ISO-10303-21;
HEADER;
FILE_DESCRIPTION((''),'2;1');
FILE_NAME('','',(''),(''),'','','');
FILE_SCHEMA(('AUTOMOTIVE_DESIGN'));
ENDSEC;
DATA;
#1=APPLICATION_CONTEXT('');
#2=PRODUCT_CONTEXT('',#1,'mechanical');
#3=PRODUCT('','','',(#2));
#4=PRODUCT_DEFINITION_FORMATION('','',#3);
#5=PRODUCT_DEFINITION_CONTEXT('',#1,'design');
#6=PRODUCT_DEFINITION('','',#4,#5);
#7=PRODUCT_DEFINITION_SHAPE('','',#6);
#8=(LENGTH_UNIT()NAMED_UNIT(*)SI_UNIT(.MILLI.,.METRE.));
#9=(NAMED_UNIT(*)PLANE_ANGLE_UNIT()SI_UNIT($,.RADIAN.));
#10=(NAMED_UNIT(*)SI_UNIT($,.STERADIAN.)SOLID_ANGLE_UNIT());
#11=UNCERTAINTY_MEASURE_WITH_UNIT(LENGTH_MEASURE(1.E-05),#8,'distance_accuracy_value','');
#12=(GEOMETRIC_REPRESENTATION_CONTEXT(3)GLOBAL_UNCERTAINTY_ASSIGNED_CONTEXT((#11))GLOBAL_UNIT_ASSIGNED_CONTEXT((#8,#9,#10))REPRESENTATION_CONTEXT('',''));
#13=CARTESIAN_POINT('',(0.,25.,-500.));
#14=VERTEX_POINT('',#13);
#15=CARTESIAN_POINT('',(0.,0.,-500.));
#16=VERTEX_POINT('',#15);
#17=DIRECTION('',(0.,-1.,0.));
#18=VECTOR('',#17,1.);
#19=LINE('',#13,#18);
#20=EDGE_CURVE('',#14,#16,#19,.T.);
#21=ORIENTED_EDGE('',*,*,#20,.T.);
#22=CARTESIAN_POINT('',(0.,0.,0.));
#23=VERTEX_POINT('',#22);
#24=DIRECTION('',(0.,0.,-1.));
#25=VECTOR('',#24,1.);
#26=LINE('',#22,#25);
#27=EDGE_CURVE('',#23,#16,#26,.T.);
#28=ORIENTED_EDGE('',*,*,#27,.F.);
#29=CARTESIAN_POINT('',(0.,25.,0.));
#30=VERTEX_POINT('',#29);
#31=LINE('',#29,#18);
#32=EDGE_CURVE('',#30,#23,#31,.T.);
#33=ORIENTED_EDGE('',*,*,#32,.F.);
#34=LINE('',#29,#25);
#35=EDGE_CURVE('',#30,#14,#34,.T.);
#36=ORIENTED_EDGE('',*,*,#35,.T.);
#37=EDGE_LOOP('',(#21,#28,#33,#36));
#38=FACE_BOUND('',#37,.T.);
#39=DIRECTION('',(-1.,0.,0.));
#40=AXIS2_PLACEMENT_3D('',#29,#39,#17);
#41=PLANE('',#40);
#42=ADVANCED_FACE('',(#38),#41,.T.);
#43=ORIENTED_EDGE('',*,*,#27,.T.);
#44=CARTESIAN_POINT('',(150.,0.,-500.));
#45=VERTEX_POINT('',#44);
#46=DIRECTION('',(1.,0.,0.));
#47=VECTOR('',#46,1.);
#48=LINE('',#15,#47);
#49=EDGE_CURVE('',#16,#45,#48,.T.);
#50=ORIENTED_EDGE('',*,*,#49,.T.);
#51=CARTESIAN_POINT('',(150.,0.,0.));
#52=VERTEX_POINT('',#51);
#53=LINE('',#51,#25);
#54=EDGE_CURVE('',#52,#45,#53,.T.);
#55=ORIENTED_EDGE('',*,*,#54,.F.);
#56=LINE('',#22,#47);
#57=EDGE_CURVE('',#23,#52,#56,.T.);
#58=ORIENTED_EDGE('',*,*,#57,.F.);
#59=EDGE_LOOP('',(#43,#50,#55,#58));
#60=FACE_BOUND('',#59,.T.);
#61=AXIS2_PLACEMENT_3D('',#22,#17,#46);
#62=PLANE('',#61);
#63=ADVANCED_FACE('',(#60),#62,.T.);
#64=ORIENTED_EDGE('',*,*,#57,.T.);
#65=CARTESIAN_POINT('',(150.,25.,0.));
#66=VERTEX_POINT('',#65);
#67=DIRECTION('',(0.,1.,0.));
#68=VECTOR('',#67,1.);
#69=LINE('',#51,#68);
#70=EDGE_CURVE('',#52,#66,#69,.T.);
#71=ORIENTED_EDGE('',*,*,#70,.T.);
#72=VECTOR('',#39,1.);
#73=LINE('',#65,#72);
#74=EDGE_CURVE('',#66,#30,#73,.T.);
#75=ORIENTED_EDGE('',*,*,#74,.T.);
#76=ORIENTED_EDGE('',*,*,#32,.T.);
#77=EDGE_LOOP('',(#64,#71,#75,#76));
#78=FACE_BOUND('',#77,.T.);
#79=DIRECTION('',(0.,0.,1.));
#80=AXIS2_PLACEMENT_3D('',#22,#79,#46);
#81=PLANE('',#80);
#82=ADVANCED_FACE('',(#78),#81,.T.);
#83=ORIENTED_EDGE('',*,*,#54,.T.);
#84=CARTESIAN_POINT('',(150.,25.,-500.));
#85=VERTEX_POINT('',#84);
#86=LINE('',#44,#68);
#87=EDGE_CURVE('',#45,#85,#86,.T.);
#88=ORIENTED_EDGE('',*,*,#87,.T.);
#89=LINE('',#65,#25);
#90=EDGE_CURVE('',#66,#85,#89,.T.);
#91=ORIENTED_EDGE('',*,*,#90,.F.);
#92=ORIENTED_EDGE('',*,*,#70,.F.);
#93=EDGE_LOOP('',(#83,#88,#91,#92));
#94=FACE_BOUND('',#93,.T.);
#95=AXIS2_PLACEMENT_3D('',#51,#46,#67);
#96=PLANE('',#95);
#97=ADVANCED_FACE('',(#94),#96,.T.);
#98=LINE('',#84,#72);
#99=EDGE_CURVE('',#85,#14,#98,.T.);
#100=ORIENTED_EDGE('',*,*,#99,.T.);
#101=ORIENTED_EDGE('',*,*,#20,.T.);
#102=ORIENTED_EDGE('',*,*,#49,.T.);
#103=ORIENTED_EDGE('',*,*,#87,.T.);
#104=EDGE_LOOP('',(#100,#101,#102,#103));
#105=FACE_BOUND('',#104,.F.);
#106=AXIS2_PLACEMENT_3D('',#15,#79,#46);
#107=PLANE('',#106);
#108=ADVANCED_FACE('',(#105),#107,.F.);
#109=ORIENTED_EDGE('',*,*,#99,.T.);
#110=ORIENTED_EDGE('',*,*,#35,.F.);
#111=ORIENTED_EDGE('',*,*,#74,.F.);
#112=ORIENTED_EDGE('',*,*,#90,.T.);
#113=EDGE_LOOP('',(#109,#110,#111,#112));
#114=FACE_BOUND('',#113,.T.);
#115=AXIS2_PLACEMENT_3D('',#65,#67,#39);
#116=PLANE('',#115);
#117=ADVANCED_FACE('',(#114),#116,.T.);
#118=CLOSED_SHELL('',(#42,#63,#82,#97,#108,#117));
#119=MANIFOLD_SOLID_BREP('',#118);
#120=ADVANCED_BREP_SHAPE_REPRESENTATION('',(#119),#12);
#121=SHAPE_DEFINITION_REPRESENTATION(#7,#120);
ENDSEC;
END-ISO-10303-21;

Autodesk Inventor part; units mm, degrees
ref_plane "YZ Plane" through (0, 0, 0) normal (1, 0, 0) x (0, 1, 0)
ref_plane "XZ Plane" through (0, 0, 0) normal (0, 1, 0) x (-1, 0, 0)
ref_plane "XY Plane" through (0, 0, 0) normal (0, 0, 1) x (1, 0, 0)
sketch "Sketch1" plane through (0, 0, 0) normal (0, 0, 1) x (1, 0, 0)
  line L0 (0, 0) -> (150, 0)
  line L1 (150, 0) -> (150, 25)
  line L2 (150, 25) -> (0, 25)
  line L3 (0, 25) -> (0, 0)
  dimension "d0" = 150
  dimension "d1" = 25
extrude "Extrusion1" add sketch "Sketch1" against normal blind 500
properties part number "vertical apoio"
